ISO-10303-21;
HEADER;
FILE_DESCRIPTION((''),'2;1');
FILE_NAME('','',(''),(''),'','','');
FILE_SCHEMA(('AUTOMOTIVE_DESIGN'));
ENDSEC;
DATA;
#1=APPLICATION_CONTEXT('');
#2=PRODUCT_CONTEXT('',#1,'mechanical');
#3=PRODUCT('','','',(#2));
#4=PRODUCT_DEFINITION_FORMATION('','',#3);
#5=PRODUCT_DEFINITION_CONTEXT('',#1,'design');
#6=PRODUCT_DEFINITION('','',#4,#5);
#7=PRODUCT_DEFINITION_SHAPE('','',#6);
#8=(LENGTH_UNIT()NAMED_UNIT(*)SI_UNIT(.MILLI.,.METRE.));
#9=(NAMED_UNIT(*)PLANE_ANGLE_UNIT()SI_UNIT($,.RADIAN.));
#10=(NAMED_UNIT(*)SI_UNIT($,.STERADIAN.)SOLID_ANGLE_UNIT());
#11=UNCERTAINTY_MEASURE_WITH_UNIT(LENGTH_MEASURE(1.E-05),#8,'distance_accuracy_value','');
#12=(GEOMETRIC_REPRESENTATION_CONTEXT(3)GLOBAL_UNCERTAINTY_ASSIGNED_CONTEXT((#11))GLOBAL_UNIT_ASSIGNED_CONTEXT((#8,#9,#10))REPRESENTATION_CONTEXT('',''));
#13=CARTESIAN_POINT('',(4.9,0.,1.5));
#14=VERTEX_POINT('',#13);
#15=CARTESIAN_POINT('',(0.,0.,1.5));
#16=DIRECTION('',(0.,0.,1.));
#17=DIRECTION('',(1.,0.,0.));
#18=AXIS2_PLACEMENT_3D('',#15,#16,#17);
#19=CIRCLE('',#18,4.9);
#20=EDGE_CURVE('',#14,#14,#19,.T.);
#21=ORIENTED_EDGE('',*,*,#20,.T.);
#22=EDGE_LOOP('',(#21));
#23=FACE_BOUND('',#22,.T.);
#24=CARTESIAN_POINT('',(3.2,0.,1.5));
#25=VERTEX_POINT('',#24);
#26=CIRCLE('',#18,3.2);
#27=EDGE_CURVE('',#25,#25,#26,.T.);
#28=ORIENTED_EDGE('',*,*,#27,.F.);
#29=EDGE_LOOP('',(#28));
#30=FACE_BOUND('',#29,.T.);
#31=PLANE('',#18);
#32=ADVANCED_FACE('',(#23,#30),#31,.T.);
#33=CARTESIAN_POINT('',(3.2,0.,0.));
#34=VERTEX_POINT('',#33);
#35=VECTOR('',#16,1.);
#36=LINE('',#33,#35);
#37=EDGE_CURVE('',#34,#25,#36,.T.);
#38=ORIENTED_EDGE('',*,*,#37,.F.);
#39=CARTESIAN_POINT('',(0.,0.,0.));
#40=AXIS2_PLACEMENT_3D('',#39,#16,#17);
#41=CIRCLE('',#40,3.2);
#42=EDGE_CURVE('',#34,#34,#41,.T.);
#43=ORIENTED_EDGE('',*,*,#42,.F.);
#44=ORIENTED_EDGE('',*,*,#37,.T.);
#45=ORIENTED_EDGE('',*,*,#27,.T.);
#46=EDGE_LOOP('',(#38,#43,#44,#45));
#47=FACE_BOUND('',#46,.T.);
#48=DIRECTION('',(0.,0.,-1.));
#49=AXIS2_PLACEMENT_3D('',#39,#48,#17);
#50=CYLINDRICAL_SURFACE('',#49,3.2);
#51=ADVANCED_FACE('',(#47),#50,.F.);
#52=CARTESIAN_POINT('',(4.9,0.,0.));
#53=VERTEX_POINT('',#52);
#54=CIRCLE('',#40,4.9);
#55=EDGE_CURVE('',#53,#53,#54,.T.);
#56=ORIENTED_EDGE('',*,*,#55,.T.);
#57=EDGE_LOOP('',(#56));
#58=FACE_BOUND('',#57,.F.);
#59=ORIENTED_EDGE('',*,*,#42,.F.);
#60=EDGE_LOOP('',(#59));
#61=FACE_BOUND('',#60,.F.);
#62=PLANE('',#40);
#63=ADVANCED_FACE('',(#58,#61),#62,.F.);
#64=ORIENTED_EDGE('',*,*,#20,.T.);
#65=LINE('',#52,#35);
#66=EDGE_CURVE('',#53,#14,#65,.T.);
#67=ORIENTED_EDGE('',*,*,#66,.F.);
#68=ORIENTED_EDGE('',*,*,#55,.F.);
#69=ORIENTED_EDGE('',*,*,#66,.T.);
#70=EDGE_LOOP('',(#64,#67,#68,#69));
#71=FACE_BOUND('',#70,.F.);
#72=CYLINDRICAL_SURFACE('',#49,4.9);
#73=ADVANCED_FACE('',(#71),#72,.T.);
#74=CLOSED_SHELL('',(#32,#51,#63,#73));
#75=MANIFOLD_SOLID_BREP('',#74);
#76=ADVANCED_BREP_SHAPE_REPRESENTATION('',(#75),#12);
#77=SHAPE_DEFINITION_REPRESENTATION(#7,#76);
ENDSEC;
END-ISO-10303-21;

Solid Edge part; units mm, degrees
sketch "Sketch1" plane through (0, 0, 0) normal (0, 0, 1) x (1, 0, 0)
  circle A0 centre (0, 0) radius 3.2
  circle A1 centre (0, 0) radius 4.9
extrude "Protrusion1" add sketch "Sketch1" along normal blind 1.5
properties material "Steel"
